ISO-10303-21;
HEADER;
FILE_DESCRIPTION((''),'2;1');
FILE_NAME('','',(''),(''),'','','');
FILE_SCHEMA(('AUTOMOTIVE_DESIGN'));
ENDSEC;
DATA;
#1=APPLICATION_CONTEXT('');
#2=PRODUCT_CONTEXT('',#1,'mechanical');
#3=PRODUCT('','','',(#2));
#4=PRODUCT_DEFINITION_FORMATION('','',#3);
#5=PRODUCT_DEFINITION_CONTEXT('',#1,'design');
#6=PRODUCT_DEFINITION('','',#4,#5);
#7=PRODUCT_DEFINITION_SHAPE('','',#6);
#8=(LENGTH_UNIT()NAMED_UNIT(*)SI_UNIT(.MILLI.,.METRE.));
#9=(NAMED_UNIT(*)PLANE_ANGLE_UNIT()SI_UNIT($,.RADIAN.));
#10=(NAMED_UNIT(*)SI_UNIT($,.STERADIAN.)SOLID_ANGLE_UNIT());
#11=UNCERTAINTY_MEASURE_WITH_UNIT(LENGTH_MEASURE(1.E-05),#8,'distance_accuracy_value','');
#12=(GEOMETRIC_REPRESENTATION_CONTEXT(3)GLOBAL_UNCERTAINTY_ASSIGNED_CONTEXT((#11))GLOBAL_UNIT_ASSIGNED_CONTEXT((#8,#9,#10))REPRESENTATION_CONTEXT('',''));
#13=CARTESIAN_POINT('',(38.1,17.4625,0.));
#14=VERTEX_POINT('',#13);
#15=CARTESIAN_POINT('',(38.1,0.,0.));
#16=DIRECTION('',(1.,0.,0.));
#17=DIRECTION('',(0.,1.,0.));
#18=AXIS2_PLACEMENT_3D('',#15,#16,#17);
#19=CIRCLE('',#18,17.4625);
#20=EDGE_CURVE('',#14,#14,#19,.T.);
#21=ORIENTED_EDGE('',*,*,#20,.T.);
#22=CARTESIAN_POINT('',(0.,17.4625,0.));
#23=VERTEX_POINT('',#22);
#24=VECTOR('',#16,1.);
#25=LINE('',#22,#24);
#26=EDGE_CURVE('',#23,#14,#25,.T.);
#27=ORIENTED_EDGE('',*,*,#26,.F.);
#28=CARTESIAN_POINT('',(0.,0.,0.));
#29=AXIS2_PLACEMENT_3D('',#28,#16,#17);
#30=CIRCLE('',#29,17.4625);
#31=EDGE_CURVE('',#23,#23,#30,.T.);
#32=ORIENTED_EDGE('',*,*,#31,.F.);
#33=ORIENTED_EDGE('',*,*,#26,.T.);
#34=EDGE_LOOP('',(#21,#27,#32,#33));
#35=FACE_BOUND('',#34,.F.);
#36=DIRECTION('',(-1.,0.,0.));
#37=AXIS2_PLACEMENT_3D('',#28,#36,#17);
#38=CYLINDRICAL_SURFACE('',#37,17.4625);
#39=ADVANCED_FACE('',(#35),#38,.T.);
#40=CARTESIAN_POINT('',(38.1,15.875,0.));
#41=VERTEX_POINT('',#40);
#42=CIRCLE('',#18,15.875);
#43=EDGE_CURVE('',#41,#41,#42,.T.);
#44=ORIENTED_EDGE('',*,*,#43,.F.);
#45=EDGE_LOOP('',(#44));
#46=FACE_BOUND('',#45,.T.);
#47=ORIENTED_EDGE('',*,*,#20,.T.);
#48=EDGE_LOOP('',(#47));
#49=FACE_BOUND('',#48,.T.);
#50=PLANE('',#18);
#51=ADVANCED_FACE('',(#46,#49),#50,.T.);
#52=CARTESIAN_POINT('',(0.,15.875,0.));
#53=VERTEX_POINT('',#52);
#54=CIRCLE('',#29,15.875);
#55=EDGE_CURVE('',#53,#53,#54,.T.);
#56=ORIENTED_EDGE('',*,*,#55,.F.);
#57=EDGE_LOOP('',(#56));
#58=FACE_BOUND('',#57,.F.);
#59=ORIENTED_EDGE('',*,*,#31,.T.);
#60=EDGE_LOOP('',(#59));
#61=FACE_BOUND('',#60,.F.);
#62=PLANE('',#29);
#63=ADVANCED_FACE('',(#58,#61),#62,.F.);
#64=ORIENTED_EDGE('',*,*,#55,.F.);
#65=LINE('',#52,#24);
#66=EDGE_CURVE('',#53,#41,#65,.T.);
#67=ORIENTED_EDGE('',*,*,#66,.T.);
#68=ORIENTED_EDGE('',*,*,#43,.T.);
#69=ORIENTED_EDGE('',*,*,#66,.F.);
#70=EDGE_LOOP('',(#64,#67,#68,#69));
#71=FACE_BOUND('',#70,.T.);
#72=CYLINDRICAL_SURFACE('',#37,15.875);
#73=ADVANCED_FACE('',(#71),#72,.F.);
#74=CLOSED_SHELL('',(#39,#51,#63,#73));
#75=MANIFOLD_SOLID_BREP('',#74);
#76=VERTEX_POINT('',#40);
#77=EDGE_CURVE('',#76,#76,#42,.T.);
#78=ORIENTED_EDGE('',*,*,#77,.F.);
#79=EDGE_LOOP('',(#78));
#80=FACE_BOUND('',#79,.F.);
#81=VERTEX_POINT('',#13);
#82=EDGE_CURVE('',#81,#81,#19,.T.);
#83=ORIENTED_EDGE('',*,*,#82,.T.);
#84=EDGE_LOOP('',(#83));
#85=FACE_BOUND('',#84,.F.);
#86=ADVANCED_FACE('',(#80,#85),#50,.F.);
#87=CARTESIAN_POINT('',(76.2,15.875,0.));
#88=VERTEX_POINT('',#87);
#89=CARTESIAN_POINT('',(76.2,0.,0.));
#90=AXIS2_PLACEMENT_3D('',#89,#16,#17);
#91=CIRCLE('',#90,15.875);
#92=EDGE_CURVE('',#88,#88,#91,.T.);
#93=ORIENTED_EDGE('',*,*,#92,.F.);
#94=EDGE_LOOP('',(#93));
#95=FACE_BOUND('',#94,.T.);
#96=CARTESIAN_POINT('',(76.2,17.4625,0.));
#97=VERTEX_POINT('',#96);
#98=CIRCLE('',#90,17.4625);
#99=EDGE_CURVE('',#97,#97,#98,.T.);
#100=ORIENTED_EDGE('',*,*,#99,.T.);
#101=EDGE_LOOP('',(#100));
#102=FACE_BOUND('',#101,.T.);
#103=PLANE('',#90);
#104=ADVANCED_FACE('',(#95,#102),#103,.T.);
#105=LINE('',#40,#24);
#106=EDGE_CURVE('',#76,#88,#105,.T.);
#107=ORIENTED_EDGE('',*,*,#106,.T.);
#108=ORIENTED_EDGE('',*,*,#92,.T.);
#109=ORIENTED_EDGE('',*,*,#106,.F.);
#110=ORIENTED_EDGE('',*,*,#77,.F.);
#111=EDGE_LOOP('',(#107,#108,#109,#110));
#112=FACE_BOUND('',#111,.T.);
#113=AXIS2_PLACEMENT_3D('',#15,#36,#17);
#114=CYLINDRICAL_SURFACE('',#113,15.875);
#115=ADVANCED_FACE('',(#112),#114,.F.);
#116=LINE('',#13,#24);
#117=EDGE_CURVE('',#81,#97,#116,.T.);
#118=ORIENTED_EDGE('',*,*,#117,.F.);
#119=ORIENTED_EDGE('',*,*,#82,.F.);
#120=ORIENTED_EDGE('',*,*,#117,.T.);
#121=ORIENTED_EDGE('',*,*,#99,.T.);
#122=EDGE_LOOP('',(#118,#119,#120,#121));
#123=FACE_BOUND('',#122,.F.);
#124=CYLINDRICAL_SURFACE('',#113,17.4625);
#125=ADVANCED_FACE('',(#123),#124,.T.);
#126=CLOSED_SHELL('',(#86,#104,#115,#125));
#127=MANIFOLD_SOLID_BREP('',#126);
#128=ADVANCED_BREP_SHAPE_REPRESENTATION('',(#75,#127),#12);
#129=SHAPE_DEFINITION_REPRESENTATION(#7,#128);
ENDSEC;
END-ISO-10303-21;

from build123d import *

# Parameters (mm, degrees)
F0_R     = 17.4625
F0_R_2   = 15.875
F1_DEPTH = 38.1
F2_R     = 17.4625
F2_R_2   = 15.875
F3_DEPTH = 38.1


with BuildPart() as f1:
    # F0 (on Right) → F1 (new body)
    with BuildSketch(Plane.YZ):
        Circle(F0_R)
        Circle(F0_R_2, mode=Mode.SUBTRACT)
    extrude(amount=F1_DEPTH)


with BuildPart() as f3:
    # F2 (on face) → F3 (new body)
    with BuildSketch(Plane.YZ.offset(38.1)):
        Circle(F2_R)
        Circle(F2_R_2, mode=Mode.SUBTRACT)
    extrude(amount=F3_DEPTH)


solid = Compound([f1.part, f3.part])
